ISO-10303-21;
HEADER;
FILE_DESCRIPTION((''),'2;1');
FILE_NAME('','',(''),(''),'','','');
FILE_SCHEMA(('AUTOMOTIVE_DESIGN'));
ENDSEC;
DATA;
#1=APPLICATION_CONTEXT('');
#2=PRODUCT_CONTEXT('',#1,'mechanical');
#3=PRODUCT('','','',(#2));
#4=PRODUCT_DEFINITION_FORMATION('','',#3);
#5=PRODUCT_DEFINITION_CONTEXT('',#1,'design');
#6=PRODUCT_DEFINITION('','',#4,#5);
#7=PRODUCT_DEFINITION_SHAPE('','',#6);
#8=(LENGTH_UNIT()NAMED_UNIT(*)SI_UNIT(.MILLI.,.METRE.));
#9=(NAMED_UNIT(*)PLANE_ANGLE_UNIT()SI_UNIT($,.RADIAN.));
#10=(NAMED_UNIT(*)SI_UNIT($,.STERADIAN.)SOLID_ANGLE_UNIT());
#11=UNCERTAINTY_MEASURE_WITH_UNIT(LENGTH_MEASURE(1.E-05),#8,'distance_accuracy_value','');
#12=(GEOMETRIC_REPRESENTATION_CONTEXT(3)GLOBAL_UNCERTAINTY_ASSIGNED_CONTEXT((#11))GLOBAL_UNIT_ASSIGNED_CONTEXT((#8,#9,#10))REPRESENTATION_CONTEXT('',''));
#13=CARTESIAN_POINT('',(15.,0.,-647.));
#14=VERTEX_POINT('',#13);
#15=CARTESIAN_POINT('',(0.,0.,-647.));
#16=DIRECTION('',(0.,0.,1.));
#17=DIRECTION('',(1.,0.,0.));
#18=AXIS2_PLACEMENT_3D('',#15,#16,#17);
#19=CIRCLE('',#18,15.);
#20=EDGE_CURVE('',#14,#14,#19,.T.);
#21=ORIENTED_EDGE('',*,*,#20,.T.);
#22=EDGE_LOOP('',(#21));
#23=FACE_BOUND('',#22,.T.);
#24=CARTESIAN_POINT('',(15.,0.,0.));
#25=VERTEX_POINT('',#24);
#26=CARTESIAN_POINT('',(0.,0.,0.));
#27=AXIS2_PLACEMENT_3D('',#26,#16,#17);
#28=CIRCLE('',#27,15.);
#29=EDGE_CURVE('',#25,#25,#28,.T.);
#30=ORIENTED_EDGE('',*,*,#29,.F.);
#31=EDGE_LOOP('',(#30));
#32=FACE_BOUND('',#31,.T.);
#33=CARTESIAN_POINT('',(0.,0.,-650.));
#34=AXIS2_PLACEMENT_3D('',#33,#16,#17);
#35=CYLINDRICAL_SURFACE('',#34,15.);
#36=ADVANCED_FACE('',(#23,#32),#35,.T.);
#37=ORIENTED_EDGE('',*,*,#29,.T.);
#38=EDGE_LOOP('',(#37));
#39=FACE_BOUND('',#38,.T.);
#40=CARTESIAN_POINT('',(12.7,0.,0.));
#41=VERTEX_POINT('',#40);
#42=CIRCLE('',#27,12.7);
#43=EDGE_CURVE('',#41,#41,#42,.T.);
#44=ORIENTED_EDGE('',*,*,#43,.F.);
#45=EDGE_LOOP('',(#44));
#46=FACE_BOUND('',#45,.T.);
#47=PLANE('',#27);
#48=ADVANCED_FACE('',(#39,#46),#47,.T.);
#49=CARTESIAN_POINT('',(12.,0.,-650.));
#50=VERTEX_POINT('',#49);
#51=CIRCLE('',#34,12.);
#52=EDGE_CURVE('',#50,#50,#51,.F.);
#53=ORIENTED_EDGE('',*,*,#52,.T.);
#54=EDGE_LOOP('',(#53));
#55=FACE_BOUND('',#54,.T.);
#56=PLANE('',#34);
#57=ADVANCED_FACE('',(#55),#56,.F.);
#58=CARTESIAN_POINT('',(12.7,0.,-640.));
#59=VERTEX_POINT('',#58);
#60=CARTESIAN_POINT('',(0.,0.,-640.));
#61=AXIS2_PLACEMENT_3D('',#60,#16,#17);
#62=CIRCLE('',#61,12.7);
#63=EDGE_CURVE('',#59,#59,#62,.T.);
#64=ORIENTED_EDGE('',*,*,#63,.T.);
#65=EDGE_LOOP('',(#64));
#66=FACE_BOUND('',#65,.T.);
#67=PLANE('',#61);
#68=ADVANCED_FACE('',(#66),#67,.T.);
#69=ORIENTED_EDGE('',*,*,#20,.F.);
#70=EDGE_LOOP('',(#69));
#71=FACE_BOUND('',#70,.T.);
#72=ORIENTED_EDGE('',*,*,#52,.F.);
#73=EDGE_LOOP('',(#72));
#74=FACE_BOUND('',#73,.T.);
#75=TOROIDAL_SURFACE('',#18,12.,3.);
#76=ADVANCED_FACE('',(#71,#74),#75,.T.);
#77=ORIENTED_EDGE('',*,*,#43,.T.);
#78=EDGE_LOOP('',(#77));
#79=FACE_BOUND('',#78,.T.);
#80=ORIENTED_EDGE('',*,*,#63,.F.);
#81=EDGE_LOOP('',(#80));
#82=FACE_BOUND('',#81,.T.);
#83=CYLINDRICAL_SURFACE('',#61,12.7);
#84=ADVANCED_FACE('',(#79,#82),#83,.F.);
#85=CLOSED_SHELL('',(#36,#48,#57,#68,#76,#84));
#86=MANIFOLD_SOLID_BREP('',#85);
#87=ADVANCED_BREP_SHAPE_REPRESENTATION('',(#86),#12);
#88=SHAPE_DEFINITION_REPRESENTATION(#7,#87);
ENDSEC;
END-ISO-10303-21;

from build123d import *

# Parameters (mm, degrees)
CROQUIS2_R              = 15
SALIENTE_EXTRUIR1_DEPTH = 650
CROQUIS3_R              = 12.7
CORTAR_EXTRUIR1_DEPTH   = 640
REDONDEO1_R             = 3


with BuildPart() as part:
    # Croquis2 → Saliente-Extruir1 (new body)
    with BuildSketch(Plane.XY):
        Circle(CROQUIS2_R)
    extrude(amount=-SALIENTE_EXTRUIR1_DEPTH)

    # Croquis3 → Cortar-Extruir1 (cut)
    with BuildSketch(Plane.XY):
        Circle(CROQUIS3_R)
    extrude(amount=-CORTAR_EXTRUIR1_DEPTH, mode=Mode.SUBTRACT)

    # Redondeo1
    redondeo1_edges = [part.edges().sort_by_distance(p)[0] for p in [
        (-15, 0, -650),
    ]]
    fillet(redondeo1_edges, radius=REDONDEO1_R)


solid = part.part
